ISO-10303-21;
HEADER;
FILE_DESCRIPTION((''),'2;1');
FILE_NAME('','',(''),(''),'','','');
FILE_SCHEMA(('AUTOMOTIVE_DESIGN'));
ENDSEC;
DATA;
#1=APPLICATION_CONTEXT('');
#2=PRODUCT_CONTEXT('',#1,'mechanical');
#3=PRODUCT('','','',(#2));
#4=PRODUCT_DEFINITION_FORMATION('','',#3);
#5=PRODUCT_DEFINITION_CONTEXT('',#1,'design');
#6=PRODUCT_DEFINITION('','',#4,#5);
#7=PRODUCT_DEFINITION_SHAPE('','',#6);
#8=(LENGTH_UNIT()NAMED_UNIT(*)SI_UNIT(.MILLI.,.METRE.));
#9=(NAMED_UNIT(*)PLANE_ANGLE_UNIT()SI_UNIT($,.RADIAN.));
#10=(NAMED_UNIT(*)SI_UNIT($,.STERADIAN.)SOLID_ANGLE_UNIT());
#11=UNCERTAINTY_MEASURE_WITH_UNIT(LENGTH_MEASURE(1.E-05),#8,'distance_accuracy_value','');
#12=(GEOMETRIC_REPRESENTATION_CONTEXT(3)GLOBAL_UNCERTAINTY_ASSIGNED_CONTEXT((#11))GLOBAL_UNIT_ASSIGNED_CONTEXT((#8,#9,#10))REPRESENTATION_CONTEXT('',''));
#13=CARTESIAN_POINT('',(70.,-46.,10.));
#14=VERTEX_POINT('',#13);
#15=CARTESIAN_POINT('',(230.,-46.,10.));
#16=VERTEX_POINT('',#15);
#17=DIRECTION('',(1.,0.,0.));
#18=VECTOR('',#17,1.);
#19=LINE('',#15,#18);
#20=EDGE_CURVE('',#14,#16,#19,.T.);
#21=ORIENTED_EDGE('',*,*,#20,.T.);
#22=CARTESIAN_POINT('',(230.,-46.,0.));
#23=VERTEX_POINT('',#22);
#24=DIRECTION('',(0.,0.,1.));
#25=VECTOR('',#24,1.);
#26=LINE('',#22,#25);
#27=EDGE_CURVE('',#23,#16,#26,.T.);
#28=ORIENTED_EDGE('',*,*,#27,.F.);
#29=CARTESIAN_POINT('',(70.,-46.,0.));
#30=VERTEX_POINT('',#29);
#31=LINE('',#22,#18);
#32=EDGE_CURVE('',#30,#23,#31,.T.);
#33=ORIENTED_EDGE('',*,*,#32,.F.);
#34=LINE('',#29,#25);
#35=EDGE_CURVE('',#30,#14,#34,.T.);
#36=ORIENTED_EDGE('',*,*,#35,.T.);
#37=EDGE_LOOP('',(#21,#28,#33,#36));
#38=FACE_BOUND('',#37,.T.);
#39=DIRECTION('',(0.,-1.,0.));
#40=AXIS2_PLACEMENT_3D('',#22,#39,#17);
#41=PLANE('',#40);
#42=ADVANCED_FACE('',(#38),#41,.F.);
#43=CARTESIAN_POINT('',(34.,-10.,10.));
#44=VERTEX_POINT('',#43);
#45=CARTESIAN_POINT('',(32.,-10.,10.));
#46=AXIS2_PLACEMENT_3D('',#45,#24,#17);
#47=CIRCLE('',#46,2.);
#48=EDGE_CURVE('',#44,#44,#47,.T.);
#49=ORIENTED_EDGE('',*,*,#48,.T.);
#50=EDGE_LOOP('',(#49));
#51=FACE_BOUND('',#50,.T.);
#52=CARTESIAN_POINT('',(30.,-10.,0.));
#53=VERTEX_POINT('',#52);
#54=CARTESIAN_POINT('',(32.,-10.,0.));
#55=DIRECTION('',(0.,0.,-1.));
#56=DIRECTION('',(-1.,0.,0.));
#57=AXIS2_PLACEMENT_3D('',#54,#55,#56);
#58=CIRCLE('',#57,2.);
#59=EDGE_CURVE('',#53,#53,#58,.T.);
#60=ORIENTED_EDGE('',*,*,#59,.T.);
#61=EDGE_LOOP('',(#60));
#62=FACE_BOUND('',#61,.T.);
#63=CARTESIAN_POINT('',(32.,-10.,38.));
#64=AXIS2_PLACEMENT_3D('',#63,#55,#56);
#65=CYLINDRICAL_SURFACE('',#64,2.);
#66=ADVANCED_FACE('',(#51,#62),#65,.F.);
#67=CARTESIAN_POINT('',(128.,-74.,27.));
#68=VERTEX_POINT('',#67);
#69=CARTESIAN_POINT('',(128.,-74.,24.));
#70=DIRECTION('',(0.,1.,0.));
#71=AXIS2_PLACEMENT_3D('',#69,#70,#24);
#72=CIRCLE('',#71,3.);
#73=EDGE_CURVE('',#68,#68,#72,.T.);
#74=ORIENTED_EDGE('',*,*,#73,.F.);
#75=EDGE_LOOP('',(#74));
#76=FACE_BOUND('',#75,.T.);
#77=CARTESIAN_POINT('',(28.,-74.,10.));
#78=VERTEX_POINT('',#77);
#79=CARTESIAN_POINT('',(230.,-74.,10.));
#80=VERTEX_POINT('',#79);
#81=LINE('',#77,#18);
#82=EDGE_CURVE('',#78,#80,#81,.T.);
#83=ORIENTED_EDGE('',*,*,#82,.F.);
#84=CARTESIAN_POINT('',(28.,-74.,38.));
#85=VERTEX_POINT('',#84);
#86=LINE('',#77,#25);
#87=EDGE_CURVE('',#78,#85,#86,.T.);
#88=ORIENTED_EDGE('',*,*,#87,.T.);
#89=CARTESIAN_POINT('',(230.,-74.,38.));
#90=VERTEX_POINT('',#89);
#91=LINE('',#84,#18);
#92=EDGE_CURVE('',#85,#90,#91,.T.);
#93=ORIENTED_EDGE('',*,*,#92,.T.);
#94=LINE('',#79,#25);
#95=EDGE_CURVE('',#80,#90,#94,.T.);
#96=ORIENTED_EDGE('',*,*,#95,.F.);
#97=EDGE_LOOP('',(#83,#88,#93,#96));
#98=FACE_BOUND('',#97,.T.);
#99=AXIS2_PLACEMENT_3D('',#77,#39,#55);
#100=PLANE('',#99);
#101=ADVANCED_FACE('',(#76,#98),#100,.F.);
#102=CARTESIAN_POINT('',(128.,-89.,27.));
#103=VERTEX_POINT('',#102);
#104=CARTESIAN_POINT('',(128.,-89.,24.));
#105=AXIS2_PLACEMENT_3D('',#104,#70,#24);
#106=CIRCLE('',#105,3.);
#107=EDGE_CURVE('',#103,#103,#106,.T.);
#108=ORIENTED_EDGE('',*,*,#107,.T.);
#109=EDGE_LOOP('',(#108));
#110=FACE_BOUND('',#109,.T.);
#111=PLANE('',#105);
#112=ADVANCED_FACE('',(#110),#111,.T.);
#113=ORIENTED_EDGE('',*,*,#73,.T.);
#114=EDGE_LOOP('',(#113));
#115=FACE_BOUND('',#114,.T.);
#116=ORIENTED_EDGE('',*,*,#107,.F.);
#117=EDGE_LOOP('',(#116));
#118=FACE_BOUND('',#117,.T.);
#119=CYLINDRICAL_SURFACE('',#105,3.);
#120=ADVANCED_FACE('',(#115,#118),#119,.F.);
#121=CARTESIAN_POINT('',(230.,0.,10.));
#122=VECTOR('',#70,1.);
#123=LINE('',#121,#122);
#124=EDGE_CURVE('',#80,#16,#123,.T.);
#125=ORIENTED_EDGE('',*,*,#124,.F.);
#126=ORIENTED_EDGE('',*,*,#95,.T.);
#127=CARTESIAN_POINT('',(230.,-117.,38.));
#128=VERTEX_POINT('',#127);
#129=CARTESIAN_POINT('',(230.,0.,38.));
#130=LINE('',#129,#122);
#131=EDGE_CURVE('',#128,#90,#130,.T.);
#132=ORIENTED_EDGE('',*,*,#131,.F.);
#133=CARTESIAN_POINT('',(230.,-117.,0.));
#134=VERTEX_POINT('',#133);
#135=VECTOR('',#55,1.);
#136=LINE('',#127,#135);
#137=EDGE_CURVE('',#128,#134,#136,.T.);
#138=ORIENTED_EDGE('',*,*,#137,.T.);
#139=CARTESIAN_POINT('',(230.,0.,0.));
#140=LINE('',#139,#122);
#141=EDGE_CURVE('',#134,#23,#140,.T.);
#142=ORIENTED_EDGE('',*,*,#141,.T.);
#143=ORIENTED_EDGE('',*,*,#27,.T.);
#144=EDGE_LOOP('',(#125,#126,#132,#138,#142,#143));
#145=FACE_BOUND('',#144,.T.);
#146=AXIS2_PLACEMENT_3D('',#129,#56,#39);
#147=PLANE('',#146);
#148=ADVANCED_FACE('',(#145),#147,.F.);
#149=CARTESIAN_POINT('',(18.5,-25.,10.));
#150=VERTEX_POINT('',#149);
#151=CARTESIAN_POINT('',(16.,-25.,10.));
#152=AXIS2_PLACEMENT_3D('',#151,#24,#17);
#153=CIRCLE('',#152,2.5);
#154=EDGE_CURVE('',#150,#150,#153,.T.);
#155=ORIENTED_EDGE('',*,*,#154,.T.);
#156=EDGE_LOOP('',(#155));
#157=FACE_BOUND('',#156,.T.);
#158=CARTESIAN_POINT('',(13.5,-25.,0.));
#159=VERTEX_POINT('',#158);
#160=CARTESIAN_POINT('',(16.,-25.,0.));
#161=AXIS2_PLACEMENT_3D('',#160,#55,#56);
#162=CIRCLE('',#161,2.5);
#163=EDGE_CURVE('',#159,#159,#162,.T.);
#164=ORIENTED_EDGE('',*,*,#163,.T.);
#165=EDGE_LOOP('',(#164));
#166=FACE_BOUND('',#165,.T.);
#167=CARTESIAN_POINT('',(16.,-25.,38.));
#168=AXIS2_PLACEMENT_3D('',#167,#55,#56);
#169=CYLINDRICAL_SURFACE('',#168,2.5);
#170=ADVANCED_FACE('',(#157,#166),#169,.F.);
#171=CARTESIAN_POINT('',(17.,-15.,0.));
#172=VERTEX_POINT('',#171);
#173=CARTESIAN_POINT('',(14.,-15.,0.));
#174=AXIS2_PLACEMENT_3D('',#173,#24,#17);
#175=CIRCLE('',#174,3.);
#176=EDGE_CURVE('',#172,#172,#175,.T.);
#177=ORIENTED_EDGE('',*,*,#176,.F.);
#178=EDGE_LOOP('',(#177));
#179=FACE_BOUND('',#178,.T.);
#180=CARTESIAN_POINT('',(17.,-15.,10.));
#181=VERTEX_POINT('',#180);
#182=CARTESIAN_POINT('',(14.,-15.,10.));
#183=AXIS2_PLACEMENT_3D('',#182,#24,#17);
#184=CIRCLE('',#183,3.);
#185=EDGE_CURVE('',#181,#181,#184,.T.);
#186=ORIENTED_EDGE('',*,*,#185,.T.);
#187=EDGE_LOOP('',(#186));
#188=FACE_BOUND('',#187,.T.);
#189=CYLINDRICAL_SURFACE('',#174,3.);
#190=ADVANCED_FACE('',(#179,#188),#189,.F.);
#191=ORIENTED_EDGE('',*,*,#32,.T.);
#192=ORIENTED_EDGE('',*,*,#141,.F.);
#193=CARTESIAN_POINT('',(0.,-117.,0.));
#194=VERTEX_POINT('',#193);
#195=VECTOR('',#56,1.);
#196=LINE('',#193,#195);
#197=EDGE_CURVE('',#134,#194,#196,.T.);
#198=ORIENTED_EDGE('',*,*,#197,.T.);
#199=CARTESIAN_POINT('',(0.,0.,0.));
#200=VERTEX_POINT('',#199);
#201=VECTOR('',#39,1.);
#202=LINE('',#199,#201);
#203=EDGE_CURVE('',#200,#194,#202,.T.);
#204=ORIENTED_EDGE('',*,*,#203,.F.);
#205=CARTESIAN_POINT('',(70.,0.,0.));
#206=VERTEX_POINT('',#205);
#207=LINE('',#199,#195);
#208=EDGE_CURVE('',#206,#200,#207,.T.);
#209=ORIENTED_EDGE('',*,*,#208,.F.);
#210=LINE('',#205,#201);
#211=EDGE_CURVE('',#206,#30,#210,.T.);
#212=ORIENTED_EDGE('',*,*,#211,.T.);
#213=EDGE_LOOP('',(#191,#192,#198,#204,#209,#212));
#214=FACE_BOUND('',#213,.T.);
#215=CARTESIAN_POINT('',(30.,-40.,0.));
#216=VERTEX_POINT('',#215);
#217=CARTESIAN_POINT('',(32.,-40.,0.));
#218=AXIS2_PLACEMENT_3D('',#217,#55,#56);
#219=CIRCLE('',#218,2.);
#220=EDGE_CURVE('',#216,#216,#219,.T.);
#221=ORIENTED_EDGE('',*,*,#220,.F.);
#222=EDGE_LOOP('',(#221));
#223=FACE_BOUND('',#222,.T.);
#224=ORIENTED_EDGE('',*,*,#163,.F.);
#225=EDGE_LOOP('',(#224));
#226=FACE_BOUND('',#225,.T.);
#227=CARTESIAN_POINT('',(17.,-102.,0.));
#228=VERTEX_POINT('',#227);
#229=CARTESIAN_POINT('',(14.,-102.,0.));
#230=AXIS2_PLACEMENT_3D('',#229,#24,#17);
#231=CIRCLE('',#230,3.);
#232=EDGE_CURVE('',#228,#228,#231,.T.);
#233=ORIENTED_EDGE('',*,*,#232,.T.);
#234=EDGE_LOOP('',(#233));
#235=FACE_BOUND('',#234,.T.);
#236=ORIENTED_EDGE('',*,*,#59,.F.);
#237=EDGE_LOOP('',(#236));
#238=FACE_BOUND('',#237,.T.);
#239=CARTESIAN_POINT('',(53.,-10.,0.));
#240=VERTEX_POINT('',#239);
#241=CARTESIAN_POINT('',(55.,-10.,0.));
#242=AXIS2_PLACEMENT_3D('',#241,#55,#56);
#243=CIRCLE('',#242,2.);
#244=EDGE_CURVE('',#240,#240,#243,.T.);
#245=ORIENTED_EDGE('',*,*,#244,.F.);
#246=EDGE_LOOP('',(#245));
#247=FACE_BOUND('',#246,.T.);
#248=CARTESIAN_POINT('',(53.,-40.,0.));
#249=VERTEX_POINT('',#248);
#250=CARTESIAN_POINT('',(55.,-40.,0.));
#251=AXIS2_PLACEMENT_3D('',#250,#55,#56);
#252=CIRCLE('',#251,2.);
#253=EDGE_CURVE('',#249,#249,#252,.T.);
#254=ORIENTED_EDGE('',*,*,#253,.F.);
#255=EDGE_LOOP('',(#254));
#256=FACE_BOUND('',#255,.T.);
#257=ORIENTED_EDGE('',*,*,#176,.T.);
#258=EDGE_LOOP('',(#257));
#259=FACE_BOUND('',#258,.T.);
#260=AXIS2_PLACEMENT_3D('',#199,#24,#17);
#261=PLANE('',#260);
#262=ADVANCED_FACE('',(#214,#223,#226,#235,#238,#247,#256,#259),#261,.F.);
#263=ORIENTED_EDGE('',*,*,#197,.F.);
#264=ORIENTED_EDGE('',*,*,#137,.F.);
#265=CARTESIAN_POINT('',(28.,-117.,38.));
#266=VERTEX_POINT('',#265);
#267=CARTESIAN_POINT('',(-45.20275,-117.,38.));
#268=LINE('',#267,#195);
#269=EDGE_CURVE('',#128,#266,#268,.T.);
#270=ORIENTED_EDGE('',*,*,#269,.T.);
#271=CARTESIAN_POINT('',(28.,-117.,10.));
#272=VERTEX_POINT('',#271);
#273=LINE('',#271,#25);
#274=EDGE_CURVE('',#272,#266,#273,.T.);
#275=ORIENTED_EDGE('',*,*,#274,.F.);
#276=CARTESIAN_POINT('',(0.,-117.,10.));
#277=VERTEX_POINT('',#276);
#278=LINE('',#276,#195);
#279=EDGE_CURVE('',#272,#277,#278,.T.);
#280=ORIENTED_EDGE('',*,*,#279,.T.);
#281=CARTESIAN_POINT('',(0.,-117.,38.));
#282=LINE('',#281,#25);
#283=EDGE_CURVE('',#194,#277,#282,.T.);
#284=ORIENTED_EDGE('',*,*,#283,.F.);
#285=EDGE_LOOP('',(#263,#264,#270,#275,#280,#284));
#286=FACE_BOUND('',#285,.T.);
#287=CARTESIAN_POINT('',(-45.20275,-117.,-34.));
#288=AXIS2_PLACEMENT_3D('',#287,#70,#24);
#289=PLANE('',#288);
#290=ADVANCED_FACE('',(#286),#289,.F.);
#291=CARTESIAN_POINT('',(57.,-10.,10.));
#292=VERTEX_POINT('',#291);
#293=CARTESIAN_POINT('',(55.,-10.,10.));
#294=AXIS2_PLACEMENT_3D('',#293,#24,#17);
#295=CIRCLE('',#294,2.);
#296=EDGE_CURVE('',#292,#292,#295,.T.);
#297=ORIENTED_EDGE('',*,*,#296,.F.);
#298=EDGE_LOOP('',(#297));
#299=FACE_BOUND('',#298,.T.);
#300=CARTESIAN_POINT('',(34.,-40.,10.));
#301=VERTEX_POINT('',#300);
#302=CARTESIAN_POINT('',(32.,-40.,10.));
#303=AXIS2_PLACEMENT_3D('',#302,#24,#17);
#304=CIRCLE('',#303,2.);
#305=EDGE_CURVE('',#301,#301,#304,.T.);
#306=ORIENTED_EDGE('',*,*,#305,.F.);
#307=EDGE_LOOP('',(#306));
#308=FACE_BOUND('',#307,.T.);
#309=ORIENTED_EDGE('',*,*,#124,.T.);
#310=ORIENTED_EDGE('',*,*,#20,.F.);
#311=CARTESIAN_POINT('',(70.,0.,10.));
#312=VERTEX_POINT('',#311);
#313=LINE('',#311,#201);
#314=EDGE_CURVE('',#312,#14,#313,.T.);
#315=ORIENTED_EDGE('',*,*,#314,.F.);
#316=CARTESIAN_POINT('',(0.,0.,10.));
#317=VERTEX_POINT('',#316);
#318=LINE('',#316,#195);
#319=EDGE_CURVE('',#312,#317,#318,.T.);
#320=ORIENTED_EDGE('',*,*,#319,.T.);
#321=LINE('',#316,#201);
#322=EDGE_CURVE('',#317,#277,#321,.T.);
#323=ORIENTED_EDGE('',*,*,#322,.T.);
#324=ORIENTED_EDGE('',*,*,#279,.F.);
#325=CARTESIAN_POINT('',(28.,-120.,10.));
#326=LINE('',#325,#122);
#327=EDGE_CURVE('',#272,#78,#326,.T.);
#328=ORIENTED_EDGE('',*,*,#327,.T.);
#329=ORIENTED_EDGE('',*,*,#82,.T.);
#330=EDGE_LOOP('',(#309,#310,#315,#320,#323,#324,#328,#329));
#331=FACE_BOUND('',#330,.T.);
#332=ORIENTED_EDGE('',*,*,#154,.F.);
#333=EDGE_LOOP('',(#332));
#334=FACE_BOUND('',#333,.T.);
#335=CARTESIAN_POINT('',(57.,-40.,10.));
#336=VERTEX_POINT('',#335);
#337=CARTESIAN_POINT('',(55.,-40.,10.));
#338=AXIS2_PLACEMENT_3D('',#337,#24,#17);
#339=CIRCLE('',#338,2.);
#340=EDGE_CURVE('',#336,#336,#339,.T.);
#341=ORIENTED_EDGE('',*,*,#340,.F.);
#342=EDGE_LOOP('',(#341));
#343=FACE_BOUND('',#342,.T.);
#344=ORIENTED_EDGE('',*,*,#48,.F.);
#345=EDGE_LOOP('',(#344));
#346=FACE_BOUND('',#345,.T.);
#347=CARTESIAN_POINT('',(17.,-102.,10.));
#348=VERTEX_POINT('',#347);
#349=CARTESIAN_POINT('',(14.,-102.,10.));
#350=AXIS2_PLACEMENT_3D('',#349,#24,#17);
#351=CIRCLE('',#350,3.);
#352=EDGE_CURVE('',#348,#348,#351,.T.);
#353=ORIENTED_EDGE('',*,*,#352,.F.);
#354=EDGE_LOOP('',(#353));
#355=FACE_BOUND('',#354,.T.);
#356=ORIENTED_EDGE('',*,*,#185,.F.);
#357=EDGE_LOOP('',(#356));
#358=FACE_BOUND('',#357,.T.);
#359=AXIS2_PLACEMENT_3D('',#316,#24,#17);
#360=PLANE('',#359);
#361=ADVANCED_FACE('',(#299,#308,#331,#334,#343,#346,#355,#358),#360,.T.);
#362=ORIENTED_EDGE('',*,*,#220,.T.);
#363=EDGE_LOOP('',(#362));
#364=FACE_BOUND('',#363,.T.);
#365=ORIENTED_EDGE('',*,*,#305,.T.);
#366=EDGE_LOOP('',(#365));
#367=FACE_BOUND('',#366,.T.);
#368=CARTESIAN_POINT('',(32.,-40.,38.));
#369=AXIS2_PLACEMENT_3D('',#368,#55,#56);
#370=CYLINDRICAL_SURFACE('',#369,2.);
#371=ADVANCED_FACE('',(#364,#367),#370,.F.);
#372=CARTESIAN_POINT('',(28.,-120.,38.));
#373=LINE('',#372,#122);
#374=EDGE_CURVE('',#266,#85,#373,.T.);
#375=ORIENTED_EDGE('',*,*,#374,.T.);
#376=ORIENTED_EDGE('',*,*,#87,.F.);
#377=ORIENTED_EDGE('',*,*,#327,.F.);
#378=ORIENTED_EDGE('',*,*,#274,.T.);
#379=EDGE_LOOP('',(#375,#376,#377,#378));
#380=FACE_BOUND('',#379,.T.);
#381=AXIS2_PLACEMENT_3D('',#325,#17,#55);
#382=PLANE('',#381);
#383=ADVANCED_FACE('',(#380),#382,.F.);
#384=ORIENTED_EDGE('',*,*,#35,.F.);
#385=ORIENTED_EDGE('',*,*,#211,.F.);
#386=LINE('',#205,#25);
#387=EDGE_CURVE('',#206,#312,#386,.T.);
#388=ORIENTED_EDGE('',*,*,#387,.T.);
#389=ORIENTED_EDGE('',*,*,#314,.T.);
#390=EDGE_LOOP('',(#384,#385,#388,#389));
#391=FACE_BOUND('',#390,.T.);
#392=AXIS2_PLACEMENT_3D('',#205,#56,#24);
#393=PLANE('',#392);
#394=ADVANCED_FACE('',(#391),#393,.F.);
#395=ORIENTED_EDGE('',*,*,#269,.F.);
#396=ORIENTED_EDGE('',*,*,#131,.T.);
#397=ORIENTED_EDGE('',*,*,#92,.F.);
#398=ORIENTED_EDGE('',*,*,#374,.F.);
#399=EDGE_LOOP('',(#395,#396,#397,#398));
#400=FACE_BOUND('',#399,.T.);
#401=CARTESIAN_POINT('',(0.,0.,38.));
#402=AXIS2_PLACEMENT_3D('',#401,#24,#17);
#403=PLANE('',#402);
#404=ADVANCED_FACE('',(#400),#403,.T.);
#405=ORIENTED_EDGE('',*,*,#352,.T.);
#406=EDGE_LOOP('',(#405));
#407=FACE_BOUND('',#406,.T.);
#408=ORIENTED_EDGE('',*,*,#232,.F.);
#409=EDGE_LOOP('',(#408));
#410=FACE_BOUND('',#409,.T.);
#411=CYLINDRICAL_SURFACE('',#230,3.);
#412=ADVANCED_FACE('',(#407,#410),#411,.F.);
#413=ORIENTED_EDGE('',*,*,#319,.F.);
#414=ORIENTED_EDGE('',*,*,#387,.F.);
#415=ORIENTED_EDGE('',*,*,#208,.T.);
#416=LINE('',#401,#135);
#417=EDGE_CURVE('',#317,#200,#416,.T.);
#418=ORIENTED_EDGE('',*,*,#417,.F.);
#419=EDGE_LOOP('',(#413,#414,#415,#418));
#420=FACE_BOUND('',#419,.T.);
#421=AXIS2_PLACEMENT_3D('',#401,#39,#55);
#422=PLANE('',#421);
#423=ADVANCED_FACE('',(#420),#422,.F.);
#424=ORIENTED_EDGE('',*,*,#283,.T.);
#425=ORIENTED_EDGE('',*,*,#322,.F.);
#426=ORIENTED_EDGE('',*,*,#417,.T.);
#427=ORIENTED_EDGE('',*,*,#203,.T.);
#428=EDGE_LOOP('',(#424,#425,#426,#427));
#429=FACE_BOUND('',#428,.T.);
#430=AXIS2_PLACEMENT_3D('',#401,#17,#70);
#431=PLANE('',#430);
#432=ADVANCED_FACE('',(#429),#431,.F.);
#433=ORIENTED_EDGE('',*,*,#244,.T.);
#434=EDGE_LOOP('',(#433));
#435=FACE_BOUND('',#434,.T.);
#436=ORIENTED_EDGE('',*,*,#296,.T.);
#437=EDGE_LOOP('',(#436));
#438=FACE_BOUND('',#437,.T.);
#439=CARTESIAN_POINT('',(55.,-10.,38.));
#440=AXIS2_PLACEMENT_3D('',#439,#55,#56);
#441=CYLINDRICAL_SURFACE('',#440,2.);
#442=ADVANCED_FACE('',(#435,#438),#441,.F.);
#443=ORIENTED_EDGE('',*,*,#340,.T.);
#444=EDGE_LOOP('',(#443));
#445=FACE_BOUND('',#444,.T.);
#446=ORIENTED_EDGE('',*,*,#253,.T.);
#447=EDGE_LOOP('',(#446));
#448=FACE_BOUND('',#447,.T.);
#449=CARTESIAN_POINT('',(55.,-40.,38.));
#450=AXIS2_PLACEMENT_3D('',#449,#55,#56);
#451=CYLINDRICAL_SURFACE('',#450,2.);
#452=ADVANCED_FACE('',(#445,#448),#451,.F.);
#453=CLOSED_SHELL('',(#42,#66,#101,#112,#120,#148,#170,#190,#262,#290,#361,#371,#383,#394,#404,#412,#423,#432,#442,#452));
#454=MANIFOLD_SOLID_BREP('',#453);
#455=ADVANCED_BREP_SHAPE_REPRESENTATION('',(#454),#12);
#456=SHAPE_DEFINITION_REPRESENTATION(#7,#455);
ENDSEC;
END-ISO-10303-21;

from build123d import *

# Parameters (mm, degrees)
SKETCH2_W           = 230
SKETCH2_H           = 120
BOSS_EXTRUDE1_DEPTH = 38
CUT_EXTRUDE1_DEPTH  = 28
SKETCH4_W           = 160
SKETCH4_H           = 46
CUT_EXTRUDE2_DEPTH  = 261.929109147
SKETCH5_W           = 311.823210218
SKETCH5_H           = 28.846030915
CUT_EXTRUDE3_DEPTH  = 72
SKETCH6_R           = 3
CUT_EXTRUDE4_DEPTH  = 15
SKETCH7_R           = 3
CUT_EXTRUDE5_DEPTH  = 260.563094449
SKETCH8_R           = 2
CUT_EXTRUDE6_DEPTH  = 261.831363145
SKETCH9_R           = 2.5
CUT_EXTRUDE7_DEPTH  = 261.831363145


with BuildPart() as part:
    # Sketch2 → Boss-Extrude1 (new body)
    with BuildSketch(Plane.XY):
        with Locations((115, -60)):
            Rectangle(SKETCH2_W, SKETCH2_H)
    extrude(amount=BOSS_EXTRUDE1_DEPTH)

    # Sketch3 → Cut-Extrude1 (cut)
    with BuildSketch(Plane.XY.offset(38)):
        Polygon((28, -120), (28, -74), (230, -74), (230, 0), (0, 0), (0, -120), align=None)
    extrude(amount=-CUT_EXTRUDE1_DEPTH, mode=Mode.SUBTRACT)

    # Sketch4 → Cut-Extrude2 (cut, through all)
    with BuildSketch(Plane.XY.offset(10)):
        with Locations((150, -23)):
            Rectangle(SKETCH4_W, SKETCH4_H)
    extrude(amount=-CUT_EXTRUDE2_DEPTH, mode=Mode.SUBTRACT)

    # Sketch5 → Cut-Extrude3 (cut)
    with BuildSketch(Plane.XY.offset(38)):
        with Locations((110.708854905, -131.423015458)):
            Rectangle(SKETCH5_W, SKETCH5_H)
    extrude(amount=-CUT_EXTRUDE3_DEPTH, mode=Mode.SUBTRACT)

    # Sketch6 → Cut-Extrude4 (cut)
    with BuildSketch(Plane(origin=(0, -74, 0), x_dir=(1, 0, 0), z_dir=(0, 1, 0))):
        with Locations(Location((128, -24, 0), (0, 0, 270))):
            Circle(SKETCH6_R)
    extrude(amount=-CUT_EXTRUDE4_DEPTH, mode=Mode.SUBTRACT)

    # Sketch7 → Cut-Extrude5 (cut, through all)
    with BuildSketch(Plane.XY.offset(10)):
        with Locations((14, -15)):
            Circle(SKETCH7_R)
        with Locations((14, -102)):
            Circle(SKETCH7_R)
    extrude(amount=-CUT_EXTRUDE5_DEPTH, mode=Mode.SUBTRACT)

    # Sketch8 → Cut-Extrude6 (cut, through all)
    with BuildSketch(Plane(origin=(0, 0, 0), x_dir=(-1, 0, 0), z_dir=(0, 0, -1))):
        with Locations((-55, -10)):
            Circle(SKETCH8_R)
        with Locations((-55, -40)):
            Circle(SKETCH8_R)
        with Locations((-32, -40)):
            Circle(SKETCH8_R)
        with Locations((-32, -10)):
            Circle(SKETCH8_R)
    extrude(amount=-CUT_EXTRUDE6_DEPTH, mode=Mode.SUBTRACT)

    # Sketch9 → Cut-Extrude7 (cut, through all)
    with BuildSketch(Plane(origin=(0, 0, 0), x_dir=(-1, 0, 0), z_dir=(0, 0, -1))):
        with Locations((-16, -25)):
            Circle(SKETCH9_R)
    extrude(amount=-CUT_EXTRUDE7_DEPTH, mode=Mode.SUBTRACT)


solid = part.part
